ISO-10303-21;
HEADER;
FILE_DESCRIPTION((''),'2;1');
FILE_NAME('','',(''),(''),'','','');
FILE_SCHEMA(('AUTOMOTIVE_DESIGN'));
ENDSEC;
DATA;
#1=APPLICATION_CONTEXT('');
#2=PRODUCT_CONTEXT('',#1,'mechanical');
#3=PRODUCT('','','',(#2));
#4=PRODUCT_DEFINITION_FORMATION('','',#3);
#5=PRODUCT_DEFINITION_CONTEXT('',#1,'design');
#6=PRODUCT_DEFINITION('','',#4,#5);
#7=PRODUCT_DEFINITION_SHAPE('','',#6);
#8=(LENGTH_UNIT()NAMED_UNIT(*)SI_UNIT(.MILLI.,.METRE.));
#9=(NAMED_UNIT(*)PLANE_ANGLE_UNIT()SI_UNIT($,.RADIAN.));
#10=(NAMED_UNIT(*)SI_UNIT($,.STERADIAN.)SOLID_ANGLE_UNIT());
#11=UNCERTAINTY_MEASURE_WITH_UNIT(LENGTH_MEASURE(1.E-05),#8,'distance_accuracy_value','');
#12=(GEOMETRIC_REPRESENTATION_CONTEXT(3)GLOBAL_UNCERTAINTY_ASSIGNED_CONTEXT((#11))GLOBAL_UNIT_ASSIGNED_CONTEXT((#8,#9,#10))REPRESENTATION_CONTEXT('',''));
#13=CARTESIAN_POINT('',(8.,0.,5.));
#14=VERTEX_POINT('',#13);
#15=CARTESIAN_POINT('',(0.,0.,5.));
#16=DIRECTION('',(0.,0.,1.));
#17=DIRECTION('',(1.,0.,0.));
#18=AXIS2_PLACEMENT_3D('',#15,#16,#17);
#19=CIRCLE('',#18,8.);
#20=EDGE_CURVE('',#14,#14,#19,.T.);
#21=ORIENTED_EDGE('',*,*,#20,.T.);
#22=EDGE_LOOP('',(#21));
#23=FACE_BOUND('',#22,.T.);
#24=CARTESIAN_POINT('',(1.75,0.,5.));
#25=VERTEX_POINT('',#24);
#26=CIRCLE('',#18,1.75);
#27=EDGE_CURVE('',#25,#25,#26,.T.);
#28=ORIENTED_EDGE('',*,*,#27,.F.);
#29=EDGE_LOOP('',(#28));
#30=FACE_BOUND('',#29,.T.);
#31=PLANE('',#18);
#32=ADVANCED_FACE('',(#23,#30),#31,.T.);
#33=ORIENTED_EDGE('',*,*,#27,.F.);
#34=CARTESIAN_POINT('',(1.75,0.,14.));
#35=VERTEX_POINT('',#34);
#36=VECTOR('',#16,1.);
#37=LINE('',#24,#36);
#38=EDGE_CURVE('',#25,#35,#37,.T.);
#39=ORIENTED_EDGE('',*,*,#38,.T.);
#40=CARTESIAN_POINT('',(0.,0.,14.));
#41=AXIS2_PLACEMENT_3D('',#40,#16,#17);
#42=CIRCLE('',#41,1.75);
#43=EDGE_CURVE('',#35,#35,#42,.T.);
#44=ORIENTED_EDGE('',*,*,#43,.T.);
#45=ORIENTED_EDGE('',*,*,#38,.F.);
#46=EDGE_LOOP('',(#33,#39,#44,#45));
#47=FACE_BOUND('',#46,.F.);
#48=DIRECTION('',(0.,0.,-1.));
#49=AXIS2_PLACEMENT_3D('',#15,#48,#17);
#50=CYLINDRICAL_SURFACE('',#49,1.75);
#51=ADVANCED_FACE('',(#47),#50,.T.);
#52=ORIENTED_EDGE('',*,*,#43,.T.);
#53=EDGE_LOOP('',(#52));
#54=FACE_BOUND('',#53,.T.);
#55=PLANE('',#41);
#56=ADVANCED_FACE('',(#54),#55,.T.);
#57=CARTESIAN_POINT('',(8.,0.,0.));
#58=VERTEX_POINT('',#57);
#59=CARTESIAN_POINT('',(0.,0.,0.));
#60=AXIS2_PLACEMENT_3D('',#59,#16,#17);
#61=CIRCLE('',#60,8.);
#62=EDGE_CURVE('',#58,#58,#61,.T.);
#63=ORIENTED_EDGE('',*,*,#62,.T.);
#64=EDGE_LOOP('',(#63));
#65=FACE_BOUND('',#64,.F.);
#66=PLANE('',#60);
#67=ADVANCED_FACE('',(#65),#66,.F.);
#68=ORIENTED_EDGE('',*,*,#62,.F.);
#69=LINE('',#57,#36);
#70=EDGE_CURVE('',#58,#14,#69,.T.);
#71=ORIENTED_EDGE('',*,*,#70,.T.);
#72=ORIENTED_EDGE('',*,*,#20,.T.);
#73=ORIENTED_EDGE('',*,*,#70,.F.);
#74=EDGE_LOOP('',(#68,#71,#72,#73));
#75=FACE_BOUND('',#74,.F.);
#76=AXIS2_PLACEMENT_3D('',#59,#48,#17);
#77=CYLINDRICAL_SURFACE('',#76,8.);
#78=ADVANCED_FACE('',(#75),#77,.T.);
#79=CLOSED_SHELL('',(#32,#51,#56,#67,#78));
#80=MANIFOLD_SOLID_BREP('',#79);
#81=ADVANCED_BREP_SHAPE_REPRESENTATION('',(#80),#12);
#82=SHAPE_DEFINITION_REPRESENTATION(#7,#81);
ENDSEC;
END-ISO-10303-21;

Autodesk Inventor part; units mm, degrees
ref_plane "YZ Plane" through (0, 0, 0) normal (1, 0, 0) x (0, 1, 0)
ref_plane "XZ Plane" through (0, 0, 0) normal (0, 1, 0) x (-1, 0, 0)
ref_plane "XY Plane" through (0, 0, 0) normal (0, 0, 1) x (1, 0, 0)
sketch "Sketch1" plane through (0, 0, 0) normal (0, 0, 1) x (1, 0, 0)
  circle A0 centre (0, 0) radius 8
  dimension "d0" = 16
extrude "Extrusion1" add sketch "Sketch1" along normal blind 5
sketch "Sketch2" plane through (0, 0, 5) normal (0, 0, 1) x (1, 0, 0)
  circle A0 centre (0, 0) radius 1.75
  dimension "d3" = 3.5
extrude "Extrusion2" add sketch "Sketch2" along normal blind 9
properties part number "Magneet"
